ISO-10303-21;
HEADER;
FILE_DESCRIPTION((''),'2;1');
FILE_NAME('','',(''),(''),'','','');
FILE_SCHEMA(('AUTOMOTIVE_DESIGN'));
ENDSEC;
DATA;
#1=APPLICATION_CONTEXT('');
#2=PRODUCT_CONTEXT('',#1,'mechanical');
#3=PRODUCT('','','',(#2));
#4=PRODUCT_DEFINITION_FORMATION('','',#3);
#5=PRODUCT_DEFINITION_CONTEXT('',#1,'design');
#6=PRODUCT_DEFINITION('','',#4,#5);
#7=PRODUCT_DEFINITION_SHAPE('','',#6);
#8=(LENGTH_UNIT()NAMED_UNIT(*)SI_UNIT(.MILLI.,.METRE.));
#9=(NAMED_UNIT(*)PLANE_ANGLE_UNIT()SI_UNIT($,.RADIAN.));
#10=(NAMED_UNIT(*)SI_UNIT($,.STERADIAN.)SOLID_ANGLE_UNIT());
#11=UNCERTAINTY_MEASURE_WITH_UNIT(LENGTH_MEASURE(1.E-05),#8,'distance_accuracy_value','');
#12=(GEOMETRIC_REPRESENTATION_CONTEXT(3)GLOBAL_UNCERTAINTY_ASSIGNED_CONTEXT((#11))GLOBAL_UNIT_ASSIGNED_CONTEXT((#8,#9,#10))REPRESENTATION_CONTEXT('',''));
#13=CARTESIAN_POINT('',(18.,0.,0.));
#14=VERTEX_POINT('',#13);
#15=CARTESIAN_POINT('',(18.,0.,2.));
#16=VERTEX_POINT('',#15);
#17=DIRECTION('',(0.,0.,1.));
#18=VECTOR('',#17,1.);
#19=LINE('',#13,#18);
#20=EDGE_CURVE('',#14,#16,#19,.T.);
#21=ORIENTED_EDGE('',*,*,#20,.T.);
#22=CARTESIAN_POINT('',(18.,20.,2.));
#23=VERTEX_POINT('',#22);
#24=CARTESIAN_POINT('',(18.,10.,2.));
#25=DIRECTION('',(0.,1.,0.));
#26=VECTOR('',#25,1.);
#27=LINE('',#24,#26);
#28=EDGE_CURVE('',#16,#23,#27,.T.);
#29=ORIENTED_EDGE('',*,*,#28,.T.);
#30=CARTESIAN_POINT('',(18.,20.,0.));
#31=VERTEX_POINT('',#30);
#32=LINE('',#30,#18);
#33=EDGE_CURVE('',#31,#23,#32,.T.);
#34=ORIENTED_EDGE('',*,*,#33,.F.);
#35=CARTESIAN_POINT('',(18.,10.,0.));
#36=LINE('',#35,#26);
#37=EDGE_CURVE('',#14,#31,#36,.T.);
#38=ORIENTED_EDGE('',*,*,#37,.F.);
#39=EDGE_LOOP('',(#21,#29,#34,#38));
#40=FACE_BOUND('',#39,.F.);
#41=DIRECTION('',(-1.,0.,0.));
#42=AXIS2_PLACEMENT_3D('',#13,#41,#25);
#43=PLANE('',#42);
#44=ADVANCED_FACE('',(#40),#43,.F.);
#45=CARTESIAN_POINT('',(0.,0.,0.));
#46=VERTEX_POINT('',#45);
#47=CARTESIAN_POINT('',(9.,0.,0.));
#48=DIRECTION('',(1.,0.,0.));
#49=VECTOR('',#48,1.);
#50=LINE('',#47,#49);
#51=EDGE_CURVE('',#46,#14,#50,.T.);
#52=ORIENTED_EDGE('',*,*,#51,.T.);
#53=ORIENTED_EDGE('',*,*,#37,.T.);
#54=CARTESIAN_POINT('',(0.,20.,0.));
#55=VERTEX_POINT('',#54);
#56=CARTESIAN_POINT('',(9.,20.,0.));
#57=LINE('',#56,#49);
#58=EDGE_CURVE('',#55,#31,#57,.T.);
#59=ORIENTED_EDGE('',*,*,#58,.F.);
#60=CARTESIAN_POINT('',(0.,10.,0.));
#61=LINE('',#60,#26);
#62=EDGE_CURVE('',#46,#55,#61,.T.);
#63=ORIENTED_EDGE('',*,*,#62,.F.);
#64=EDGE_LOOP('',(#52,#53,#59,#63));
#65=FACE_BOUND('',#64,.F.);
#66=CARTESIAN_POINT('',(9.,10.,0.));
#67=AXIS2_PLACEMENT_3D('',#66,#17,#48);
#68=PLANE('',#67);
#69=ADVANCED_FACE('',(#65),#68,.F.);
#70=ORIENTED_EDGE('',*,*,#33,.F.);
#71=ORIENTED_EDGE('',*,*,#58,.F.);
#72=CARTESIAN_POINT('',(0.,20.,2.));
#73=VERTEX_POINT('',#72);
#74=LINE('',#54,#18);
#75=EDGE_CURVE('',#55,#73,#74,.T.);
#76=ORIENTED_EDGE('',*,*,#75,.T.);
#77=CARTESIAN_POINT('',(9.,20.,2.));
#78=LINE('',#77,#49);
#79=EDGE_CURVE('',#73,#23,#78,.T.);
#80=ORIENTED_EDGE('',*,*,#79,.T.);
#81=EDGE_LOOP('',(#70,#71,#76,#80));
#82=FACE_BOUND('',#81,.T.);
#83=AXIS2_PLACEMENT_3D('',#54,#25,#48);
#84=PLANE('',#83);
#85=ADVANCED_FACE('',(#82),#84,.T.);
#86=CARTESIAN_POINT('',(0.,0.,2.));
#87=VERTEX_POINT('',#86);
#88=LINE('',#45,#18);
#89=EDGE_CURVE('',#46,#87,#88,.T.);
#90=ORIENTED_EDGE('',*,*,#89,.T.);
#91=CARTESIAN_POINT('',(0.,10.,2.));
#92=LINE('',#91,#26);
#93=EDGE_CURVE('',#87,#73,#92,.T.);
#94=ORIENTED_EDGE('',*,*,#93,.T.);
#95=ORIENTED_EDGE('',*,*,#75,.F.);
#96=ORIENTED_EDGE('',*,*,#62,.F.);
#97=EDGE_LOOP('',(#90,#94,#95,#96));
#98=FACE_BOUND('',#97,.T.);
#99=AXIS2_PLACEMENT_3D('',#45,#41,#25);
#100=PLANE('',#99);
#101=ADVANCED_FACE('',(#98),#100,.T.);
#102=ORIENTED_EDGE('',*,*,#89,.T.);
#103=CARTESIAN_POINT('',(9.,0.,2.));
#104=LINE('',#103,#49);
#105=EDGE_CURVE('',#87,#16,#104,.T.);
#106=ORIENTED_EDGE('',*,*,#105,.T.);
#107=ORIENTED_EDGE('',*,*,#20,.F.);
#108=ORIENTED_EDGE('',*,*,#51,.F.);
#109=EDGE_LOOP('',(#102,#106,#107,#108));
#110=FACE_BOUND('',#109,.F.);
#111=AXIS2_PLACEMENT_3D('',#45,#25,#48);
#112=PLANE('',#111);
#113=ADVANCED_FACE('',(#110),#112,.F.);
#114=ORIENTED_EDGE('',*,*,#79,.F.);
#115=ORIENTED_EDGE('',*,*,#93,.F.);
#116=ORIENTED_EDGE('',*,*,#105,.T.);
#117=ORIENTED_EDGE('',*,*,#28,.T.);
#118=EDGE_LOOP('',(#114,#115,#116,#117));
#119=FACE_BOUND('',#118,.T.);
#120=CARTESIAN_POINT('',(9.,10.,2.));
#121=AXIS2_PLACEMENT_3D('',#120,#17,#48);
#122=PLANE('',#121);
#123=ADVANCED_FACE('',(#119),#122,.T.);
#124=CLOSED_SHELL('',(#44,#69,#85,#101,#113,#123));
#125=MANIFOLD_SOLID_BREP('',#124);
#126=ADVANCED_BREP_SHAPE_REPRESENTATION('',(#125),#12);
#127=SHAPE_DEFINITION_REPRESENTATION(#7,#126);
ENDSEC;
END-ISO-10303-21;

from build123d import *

# Parameters (mm, degrees)
SKETCH_W  = 18
SKETCH_H  = 20
PAD_DEPTH = 2


with BuildPart() as part:
    # Sketch → Pad (new body)
    with BuildSketch(Plane.XY):
        with Locations((9, 10)):
            Rectangle(SKETCH_W, SKETCH_H)
    extrude(amount=PAD_DEPTH)


solid = part.part
